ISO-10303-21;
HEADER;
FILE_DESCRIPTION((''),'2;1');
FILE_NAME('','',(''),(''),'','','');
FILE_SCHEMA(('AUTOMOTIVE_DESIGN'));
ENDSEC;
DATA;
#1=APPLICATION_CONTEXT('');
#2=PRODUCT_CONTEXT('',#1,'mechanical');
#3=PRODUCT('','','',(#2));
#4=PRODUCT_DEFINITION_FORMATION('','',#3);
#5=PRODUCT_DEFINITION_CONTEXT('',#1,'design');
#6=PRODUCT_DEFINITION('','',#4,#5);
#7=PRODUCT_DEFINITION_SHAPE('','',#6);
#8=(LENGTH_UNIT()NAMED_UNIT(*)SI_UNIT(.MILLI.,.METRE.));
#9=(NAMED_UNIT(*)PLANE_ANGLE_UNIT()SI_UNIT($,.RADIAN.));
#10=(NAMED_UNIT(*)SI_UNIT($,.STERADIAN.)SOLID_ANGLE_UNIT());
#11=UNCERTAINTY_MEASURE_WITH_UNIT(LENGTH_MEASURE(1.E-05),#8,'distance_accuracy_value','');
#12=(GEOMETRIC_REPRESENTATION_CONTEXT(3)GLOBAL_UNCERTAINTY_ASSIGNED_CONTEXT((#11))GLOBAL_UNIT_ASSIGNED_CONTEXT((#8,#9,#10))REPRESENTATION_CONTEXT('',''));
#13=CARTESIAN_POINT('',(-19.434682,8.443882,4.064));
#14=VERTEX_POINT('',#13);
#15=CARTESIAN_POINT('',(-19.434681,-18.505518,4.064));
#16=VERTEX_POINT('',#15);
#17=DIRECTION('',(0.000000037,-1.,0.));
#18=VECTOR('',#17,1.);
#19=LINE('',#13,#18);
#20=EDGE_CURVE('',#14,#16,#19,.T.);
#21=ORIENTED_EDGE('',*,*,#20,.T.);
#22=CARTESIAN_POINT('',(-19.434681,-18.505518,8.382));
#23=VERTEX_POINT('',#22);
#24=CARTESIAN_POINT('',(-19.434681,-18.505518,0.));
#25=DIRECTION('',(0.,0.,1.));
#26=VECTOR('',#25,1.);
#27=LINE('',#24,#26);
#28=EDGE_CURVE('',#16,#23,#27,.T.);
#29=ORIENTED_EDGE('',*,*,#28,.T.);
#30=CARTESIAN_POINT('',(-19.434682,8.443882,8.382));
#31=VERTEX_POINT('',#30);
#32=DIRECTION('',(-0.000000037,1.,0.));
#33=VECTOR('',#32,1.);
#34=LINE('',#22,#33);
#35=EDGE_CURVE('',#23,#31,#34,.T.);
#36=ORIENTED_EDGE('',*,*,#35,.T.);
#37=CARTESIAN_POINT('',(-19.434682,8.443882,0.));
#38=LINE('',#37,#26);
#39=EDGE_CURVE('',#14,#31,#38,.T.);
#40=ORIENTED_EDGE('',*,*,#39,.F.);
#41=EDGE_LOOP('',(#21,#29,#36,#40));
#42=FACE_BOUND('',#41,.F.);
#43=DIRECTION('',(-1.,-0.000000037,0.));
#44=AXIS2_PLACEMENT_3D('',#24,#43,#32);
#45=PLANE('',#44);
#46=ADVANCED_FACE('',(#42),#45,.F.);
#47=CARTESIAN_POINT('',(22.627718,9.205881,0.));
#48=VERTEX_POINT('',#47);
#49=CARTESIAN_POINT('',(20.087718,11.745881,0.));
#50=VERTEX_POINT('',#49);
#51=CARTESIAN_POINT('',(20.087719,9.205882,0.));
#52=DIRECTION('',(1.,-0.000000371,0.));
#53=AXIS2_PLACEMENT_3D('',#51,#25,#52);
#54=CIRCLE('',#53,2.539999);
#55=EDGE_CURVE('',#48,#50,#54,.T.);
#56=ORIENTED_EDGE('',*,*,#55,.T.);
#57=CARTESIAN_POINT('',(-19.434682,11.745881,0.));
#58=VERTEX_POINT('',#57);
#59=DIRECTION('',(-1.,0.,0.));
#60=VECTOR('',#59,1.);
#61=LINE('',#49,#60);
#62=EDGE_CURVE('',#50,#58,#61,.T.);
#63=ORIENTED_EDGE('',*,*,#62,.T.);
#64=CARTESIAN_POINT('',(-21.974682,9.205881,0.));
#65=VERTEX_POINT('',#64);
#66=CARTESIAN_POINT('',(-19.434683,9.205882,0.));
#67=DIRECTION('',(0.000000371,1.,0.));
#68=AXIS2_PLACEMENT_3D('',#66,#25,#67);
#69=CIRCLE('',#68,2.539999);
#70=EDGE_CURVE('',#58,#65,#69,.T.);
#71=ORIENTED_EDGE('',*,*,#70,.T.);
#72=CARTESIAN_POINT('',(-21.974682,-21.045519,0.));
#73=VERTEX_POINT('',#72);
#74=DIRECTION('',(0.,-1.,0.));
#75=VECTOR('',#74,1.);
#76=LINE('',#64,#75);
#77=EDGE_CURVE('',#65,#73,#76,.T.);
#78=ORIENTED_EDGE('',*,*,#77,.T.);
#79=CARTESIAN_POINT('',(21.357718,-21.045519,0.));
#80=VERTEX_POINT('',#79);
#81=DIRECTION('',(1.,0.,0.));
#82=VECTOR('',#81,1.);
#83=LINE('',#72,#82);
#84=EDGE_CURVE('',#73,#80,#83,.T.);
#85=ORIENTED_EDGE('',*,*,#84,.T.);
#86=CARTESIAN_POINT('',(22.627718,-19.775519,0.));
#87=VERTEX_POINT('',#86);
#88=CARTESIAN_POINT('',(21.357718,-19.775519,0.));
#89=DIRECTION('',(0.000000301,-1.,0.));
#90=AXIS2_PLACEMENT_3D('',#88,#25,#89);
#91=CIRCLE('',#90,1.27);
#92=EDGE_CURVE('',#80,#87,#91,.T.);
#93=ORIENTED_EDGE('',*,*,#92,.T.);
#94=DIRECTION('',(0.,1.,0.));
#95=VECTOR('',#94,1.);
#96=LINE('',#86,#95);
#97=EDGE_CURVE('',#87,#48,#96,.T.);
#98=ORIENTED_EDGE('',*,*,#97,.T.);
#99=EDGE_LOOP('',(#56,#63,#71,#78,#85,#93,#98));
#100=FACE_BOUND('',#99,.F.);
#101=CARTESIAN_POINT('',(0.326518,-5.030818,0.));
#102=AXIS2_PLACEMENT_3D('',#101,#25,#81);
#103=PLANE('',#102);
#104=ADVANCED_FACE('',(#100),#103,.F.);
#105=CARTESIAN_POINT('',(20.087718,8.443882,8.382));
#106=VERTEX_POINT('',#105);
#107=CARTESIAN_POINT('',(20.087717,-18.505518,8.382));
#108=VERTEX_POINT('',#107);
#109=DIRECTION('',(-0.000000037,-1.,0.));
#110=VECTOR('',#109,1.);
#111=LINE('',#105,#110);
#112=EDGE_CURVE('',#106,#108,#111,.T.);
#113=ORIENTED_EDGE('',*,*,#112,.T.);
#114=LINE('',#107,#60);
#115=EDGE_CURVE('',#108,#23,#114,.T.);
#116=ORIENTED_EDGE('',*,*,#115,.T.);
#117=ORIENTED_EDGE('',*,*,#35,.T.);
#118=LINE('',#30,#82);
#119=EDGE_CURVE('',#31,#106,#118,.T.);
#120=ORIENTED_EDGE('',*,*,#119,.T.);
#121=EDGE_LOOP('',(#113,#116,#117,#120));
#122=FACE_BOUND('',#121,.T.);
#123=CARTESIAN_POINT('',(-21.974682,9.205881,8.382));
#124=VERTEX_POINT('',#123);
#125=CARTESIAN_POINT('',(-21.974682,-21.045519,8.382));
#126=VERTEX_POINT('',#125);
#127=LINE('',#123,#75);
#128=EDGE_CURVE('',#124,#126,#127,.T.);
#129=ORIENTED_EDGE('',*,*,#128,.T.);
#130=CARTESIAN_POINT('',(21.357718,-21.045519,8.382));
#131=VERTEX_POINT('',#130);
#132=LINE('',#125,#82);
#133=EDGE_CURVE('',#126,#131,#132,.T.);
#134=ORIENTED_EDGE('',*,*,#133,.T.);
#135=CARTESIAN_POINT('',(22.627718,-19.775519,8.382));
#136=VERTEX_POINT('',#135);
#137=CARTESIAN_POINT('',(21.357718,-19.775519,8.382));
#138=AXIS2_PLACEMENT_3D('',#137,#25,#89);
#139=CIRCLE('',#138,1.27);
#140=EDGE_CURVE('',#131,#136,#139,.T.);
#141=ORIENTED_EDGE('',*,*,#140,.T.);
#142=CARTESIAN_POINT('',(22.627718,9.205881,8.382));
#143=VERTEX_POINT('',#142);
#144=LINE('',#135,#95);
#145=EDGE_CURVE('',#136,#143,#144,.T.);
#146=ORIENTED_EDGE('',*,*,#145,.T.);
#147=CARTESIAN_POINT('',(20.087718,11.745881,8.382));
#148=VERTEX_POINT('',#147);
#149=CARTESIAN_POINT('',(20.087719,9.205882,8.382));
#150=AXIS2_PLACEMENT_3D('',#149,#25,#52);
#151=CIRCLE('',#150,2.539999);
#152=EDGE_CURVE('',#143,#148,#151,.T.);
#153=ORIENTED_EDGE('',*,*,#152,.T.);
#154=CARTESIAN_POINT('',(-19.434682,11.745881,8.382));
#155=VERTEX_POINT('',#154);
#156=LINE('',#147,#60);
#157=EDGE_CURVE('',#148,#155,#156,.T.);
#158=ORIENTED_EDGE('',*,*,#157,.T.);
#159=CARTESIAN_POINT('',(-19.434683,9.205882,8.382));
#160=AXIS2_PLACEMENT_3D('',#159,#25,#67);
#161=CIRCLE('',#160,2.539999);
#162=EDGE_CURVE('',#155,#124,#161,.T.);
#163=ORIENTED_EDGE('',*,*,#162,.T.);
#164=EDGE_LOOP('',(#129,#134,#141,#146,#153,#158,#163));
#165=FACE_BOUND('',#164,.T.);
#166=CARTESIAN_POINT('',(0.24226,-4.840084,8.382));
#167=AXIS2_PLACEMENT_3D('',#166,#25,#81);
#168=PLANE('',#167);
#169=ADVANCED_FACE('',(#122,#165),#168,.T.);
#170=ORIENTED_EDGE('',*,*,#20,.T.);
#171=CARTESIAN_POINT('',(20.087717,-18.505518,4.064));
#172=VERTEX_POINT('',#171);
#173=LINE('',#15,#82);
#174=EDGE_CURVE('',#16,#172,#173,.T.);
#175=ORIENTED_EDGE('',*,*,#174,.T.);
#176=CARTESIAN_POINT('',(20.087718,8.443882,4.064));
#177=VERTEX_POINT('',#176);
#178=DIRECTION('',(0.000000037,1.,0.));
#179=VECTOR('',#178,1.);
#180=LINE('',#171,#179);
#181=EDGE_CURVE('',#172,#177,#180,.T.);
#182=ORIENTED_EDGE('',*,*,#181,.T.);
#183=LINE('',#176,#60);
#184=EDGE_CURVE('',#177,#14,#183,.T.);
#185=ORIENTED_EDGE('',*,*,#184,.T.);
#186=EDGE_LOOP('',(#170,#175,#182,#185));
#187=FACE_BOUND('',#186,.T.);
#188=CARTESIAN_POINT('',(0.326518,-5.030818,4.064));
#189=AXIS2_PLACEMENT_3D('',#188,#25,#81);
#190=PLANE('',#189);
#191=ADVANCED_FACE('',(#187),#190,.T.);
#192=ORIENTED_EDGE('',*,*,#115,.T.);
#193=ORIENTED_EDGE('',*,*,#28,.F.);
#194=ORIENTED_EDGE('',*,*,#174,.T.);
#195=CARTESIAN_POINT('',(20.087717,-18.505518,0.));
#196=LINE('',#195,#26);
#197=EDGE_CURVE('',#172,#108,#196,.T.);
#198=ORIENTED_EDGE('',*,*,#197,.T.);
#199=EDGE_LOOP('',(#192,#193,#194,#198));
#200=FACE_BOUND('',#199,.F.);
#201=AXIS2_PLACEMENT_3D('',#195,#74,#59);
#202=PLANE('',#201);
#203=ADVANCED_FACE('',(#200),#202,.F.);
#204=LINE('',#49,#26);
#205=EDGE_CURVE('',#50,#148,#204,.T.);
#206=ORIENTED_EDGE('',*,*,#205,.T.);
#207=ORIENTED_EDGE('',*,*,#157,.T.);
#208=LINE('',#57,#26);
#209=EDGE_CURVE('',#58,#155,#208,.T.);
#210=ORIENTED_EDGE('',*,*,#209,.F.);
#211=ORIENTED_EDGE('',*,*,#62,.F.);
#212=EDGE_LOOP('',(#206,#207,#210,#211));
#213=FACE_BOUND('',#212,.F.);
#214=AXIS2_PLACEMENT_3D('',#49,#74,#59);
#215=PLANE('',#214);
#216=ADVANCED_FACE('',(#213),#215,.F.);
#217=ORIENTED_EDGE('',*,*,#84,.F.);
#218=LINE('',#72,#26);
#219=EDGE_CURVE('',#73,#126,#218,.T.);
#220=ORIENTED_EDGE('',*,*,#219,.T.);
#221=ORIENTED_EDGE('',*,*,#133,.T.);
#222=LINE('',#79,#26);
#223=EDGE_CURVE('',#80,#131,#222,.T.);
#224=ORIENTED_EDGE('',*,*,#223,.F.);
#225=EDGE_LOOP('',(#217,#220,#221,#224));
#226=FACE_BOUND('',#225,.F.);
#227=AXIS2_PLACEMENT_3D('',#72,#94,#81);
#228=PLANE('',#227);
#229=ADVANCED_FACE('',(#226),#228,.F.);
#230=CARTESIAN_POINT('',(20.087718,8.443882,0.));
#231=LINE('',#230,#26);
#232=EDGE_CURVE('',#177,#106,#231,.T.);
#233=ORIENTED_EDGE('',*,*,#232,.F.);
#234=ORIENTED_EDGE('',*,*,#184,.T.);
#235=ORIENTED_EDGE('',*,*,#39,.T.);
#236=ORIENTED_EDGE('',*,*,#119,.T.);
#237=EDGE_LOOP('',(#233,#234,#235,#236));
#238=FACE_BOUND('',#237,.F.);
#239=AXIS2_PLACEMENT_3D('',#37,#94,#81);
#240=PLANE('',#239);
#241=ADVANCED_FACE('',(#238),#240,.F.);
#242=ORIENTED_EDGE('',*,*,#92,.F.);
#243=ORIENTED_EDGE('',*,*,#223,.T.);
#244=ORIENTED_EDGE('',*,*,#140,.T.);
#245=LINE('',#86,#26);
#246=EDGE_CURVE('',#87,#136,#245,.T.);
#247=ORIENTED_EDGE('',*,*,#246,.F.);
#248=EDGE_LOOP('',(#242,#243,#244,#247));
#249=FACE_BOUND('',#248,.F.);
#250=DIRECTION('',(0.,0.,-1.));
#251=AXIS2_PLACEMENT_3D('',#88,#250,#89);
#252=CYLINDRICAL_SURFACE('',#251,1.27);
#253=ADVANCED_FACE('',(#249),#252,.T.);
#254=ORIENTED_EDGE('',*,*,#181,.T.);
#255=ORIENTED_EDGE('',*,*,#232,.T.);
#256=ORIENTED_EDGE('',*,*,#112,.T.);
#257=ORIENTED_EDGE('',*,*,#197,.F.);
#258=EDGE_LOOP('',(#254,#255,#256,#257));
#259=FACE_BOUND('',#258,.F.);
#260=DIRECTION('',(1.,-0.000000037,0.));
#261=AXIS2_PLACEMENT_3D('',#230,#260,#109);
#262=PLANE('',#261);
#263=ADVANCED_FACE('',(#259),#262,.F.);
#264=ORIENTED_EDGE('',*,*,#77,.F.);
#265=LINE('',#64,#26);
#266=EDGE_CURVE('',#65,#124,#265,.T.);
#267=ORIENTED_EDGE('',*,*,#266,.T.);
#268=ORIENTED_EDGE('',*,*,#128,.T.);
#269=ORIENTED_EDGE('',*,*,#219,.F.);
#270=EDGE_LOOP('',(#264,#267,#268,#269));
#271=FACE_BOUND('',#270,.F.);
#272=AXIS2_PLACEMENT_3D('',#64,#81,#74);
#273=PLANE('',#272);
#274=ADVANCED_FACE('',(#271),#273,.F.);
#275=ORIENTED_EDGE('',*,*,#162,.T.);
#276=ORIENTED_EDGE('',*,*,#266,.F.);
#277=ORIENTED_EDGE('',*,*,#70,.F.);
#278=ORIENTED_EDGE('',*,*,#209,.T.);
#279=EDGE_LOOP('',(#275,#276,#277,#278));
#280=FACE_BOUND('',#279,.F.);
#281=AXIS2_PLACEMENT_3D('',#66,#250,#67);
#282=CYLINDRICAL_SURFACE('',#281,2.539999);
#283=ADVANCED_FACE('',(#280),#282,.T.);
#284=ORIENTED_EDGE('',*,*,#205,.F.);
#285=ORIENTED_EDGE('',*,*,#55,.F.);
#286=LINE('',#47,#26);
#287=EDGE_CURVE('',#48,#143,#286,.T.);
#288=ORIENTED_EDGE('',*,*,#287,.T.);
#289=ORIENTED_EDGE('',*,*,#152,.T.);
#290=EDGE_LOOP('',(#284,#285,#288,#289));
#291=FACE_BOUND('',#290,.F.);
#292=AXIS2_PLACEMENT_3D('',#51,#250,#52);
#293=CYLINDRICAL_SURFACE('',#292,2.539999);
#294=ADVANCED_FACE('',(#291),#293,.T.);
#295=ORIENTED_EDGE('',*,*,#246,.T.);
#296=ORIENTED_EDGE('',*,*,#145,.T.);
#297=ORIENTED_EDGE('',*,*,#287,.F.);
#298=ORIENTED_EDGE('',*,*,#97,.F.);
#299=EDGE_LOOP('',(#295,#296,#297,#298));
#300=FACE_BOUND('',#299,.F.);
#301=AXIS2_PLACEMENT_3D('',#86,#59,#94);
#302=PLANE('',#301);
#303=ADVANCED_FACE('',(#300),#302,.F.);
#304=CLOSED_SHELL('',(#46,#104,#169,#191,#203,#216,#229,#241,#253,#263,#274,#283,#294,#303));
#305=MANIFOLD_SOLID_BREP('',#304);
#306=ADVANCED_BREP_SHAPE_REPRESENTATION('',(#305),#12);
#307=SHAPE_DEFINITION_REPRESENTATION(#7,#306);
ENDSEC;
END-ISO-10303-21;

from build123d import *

# Parameters (mm, degrees)
F1_DEPTH = 8.382
F2_DEPTH = 4.064


with BuildPart() as f1:
    # F0 (on Top) → F1 (new body)
    with BuildSketch(Plane.XY):
        with BuildLine():
            Line((-16.079759, 11.745881), (-19.434682, 11.745881))
            ThreePointArc((-19.434682, 11.745881), (-21.230733, 11.001933), (-21.974682, 9.205881))
            Line((-21.974682, 9.205881), (-21.974682, -21.045519))
            Line((-21.974682, -21.045519), (21.357718, -21.045519))
            ThreePointArc((21.357718, -21.045519), (22.255744, -20.673544), (22.627718, -19.775519))
            Line((22.627718, -19.775519), (22.627718, -12.860038))
            Line((22.627718, -12.860038), (22.627718, 3.460978))
            Line((22.627718, 3.460978), (22.627718, 9.205881))
            ThreePointArc((22.627718, 9.205881), (21.883769, 11.001933), (20.087718, 11.745881))
            Line((20.087718, 11.745881), (-10.43586, 11.745881))
            Line((-10.43586, 11.745881), (-16.079759, 11.745881))
        make_face()
        Polygon((-19.434681, -18.505518), (-19.434682, 8.443882), (20.087718, 8.443882), (20.087717, -18.505518), align=None, mode=Mode.SUBTRACT)
    extrude(amount=F1_DEPTH)

    # F0 (on Top) → F2 (join)
    with BuildSketch(Plane.XY):
        Polygon((20.087718, 8.443882), (-19.434682, 8.443882), (-19.434681, -18.505518), (20.087717, -18.505518), align=None)
    extrude(amount=F2_DEPTH)


solid = f1.part
